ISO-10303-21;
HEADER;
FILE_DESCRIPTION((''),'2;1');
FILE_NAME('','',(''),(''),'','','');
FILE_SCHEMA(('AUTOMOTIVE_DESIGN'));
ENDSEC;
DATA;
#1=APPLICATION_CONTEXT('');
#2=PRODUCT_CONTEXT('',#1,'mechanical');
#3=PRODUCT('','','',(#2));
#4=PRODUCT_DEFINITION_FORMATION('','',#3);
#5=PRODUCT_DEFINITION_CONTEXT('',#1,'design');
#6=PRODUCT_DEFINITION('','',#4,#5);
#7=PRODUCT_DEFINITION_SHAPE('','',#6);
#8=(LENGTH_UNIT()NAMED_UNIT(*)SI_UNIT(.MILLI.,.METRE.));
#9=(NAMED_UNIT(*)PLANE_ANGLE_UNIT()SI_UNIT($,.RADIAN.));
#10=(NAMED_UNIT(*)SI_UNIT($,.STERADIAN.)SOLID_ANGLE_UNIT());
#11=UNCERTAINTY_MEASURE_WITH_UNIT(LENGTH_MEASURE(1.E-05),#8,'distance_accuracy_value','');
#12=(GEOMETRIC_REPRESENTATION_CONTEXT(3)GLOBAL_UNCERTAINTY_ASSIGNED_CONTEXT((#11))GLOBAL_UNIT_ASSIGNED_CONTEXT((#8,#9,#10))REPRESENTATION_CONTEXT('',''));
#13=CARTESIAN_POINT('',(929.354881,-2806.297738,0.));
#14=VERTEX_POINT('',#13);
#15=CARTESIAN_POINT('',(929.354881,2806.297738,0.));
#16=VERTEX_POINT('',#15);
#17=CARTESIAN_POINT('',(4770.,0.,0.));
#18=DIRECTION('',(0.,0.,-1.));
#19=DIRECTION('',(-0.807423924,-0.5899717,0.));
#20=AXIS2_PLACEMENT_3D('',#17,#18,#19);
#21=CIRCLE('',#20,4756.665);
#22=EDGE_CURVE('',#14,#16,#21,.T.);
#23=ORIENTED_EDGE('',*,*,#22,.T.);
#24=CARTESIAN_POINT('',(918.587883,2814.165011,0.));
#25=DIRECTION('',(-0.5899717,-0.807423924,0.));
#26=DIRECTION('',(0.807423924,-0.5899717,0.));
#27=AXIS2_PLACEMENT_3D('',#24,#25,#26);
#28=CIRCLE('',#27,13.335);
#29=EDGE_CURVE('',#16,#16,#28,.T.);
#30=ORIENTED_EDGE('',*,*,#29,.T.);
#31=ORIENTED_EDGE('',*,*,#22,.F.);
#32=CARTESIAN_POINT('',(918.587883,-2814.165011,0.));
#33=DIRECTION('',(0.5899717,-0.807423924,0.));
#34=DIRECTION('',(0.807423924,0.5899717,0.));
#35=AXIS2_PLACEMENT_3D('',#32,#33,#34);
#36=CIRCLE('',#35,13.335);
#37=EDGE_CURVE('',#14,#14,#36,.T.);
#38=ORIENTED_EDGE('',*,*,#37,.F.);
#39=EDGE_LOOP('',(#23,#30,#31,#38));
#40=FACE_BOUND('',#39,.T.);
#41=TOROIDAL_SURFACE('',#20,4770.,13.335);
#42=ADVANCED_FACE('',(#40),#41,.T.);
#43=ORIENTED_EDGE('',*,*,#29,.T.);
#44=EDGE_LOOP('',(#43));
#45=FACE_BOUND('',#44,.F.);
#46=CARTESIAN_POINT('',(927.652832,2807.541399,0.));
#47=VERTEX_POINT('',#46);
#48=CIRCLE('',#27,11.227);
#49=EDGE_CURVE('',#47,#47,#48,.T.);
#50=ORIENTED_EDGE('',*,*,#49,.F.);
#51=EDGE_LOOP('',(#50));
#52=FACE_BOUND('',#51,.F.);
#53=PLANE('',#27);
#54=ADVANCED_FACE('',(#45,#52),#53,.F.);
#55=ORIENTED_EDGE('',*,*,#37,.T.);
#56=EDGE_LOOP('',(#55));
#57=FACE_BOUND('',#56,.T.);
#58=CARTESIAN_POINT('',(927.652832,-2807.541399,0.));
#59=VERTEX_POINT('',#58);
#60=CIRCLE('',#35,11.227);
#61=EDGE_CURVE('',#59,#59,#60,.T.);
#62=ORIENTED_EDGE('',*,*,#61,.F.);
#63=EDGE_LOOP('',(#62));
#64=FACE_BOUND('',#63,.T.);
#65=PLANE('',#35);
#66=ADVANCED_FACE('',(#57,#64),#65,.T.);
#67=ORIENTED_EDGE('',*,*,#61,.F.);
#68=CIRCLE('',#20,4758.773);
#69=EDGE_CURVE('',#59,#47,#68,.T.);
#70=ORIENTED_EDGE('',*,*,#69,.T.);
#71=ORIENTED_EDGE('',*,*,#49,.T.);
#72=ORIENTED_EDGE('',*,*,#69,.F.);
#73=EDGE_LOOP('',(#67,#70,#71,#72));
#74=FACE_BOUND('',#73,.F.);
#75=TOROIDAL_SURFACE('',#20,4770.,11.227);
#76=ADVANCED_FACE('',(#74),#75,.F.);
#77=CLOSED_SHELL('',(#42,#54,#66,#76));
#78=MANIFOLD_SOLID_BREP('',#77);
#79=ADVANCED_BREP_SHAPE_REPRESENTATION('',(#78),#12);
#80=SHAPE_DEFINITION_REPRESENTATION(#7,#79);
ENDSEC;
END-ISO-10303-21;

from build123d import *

# Parameters (mm, degrees)
F0_R          = 13.335
F0_R_2        = 11.227
F1_ANGLE_BACK = 36.155
F1_ANGLE      = 72.31


with BuildPart() as f1:
    # F0 (on Front) → F1 (revolve)
    with BuildSketch(Plane.XZ, mode=Mode.PRIVATE) as f1_sk:
        Circle(F0_R)
        Circle(F0_R_2, mode=Mode.SUBTRACT)
    revolve(f1_sk.sketch.rotate(Axis((4770, 0, -50), (0, 0, -1)), -F1_ANGLE_BACK), axis=Axis((4770, 0, -50), (0, 0, -1)), revolution_arc=F1_ANGLE)


solid = f1.part
